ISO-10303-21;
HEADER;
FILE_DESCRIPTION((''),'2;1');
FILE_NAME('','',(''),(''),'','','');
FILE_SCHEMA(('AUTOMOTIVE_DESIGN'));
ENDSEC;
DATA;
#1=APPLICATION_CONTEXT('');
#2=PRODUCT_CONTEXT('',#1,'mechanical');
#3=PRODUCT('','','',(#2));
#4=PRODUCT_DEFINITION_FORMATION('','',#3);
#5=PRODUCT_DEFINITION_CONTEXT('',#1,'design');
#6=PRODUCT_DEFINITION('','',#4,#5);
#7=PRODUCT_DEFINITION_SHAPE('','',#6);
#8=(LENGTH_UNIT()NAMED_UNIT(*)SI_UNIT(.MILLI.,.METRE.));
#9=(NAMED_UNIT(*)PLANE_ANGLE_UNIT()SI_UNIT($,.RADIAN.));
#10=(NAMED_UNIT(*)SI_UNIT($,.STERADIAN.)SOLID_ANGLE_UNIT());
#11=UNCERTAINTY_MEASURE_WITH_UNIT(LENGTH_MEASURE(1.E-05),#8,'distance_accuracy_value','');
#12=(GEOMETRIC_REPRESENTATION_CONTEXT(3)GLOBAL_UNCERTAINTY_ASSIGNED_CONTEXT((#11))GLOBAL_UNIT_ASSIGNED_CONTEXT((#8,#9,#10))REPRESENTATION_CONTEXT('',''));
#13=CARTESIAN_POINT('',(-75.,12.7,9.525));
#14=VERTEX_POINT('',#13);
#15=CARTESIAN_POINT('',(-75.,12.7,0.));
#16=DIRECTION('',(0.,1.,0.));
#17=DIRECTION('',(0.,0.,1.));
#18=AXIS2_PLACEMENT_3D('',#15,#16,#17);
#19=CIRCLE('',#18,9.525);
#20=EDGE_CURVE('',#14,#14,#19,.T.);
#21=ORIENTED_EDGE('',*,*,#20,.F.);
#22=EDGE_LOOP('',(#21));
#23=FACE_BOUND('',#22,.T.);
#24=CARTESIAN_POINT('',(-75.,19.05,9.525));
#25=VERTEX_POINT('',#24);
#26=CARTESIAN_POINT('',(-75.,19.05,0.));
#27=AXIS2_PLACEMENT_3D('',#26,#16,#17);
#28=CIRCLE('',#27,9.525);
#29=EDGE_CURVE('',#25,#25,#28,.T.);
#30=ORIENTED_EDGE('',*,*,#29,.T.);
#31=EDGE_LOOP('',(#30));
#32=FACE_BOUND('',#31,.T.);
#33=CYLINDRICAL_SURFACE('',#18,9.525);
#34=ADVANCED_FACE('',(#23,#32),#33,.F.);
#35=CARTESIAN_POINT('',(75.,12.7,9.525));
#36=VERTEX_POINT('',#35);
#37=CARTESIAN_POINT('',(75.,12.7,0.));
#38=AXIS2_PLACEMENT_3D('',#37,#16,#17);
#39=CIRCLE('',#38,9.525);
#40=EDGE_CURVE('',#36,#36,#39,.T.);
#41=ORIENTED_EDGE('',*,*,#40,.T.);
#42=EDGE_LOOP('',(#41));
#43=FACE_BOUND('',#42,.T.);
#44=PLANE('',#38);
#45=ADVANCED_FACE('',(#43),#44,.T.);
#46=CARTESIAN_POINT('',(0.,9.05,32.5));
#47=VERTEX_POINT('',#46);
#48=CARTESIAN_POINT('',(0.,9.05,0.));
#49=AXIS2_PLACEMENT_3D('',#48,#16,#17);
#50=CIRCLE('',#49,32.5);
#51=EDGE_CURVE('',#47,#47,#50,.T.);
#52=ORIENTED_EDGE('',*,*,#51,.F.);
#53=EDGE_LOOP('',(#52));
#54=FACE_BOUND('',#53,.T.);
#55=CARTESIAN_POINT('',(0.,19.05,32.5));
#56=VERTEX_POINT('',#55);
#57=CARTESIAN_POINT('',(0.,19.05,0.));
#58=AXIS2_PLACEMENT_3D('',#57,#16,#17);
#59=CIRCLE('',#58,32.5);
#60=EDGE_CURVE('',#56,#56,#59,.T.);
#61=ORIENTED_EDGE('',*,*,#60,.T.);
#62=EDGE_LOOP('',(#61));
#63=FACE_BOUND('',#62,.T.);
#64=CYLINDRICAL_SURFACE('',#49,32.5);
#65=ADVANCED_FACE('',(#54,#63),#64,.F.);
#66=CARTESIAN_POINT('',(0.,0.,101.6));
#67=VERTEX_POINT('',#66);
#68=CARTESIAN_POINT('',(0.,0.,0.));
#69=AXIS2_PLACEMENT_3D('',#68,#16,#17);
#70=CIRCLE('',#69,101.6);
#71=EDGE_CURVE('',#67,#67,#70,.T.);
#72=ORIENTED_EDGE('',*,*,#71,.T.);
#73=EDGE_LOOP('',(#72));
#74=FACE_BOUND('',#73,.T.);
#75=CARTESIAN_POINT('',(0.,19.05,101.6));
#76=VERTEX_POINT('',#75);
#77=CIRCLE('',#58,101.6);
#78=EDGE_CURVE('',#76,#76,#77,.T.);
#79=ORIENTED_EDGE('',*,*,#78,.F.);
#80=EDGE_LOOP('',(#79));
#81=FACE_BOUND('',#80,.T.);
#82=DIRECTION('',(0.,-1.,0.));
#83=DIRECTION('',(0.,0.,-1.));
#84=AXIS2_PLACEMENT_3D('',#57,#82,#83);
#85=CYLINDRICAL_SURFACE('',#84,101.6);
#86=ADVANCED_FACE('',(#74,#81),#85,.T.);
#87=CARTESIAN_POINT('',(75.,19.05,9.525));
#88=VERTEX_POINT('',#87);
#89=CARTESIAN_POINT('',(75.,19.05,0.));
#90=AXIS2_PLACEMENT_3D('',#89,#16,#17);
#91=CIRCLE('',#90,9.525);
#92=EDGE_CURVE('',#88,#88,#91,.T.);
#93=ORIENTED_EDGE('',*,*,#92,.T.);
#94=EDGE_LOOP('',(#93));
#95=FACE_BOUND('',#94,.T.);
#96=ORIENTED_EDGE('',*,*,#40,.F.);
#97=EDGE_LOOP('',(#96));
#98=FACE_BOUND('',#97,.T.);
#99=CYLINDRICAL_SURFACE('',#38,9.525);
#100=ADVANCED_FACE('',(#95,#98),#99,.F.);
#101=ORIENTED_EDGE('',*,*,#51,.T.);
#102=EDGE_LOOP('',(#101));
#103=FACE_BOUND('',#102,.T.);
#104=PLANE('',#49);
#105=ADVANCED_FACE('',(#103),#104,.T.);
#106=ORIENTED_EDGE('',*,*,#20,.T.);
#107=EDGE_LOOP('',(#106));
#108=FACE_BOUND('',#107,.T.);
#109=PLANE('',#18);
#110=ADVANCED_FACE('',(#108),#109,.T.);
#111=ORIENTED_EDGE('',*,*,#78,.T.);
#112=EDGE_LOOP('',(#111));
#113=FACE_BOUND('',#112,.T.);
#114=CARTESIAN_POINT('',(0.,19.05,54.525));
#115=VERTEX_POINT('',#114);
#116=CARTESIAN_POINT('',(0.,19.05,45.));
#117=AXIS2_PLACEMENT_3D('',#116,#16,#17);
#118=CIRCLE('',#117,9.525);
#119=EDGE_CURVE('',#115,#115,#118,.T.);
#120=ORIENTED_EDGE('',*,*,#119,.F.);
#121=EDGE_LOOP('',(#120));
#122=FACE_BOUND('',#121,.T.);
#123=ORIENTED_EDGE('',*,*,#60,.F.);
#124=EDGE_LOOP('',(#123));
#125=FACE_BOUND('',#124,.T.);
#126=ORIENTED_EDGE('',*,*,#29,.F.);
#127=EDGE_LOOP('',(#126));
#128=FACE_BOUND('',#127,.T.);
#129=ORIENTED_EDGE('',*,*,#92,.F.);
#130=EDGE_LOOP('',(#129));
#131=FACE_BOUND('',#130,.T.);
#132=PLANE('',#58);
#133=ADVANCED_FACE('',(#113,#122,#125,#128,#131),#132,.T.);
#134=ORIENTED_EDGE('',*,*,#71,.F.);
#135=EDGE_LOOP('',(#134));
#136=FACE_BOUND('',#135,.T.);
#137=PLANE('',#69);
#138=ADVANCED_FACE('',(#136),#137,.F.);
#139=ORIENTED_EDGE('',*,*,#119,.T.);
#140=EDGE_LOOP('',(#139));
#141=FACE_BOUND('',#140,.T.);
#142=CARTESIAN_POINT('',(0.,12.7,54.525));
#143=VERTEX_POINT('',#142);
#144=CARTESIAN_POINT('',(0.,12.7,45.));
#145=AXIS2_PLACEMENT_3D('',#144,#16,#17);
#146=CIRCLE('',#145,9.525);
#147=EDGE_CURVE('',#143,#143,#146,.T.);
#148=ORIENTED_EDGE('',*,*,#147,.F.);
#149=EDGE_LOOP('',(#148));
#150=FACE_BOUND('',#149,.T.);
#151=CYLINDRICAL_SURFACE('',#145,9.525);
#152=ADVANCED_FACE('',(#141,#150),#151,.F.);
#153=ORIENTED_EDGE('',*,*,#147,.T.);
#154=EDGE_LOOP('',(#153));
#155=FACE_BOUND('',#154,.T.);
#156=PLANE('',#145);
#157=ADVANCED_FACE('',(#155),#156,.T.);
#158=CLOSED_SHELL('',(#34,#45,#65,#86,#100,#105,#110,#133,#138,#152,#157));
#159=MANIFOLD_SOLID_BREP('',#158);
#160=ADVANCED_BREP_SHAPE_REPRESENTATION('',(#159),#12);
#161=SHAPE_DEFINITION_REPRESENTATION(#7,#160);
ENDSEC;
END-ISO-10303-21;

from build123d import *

# Parameters (mm, degrees)
SKETCH1_R           = 101.6
BOSS_EXTRUDE1_DEPTH = 19.05
SKETCH2_R           = 32.5
CUT_EXTRUDE1_DEPTH  = 10
SKETCH4_R           = 9.525
CUT_EXTRUDE3_DEPTH  = 6.35
SKETCH5_R           = 9.525
CUT_EXTRUDE4_DEPTH  = 6.35
SKETCH6_R           = 9.525
CUT_EXTRUDE5_DEPTH  = 6.35


with BuildPart() as part:
    # Sketch1 → Boss-Extrude1 (new body)
    with BuildSketch(Plane(origin=(0, 0, 0), x_dir=(1, 0, 0), z_dir=(0, 1, 0))):
        Circle(SKETCH1_R)
    extrude(amount=BOSS_EXTRUDE1_DEPTH)

    # Sketch2 → Cut-Extrude1 (cut)
    with BuildSketch(Plane(origin=(0, 19.05, 0), x_dir=(1, 0, 0), z_dir=(0, 1, 0))):
        Circle(SKETCH2_R)
    extrude(amount=-CUT_EXTRUDE1_DEPTH, mode=Mode.SUBTRACT)

    # Sketch4 → Cut-Extrude3 (cut)
    with BuildSketch(Plane(origin=(0, 19.05, 0), x_dir=(1, 0, 0), z_dir=(0, 1, 0))):
        with Locations((-75, 0)):
            Circle(SKETCH4_R)
    extrude(amount=-CUT_EXTRUDE3_DEPTH, mode=Mode.SUBTRACT)

    # Sketch5 → Cut-Extrude4 (cut)
    with BuildSketch(Plane(origin=(0, 19.05, 0), x_dir=(1, 0, 0), z_dir=(0, 1, 0))):
        with Locations((75, 0)):
            Circle(SKETCH5_R)
    extrude(amount=-CUT_EXTRUDE4_DEPTH, mode=Mode.SUBTRACT)

    # Sketch6 → Cut-Extrude5 (cut)
    with BuildSketch(Plane(origin=(0, 19.05, 0), x_dir=(1, 0, 0), z_dir=(0, 1, 0))):
        with Locations((0, -45)):
            Circle(SKETCH6_R)
    extrude(amount=-CUT_EXTRUDE5_DEPTH, mode=Mode.SUBTRACT)


solid = part.part
